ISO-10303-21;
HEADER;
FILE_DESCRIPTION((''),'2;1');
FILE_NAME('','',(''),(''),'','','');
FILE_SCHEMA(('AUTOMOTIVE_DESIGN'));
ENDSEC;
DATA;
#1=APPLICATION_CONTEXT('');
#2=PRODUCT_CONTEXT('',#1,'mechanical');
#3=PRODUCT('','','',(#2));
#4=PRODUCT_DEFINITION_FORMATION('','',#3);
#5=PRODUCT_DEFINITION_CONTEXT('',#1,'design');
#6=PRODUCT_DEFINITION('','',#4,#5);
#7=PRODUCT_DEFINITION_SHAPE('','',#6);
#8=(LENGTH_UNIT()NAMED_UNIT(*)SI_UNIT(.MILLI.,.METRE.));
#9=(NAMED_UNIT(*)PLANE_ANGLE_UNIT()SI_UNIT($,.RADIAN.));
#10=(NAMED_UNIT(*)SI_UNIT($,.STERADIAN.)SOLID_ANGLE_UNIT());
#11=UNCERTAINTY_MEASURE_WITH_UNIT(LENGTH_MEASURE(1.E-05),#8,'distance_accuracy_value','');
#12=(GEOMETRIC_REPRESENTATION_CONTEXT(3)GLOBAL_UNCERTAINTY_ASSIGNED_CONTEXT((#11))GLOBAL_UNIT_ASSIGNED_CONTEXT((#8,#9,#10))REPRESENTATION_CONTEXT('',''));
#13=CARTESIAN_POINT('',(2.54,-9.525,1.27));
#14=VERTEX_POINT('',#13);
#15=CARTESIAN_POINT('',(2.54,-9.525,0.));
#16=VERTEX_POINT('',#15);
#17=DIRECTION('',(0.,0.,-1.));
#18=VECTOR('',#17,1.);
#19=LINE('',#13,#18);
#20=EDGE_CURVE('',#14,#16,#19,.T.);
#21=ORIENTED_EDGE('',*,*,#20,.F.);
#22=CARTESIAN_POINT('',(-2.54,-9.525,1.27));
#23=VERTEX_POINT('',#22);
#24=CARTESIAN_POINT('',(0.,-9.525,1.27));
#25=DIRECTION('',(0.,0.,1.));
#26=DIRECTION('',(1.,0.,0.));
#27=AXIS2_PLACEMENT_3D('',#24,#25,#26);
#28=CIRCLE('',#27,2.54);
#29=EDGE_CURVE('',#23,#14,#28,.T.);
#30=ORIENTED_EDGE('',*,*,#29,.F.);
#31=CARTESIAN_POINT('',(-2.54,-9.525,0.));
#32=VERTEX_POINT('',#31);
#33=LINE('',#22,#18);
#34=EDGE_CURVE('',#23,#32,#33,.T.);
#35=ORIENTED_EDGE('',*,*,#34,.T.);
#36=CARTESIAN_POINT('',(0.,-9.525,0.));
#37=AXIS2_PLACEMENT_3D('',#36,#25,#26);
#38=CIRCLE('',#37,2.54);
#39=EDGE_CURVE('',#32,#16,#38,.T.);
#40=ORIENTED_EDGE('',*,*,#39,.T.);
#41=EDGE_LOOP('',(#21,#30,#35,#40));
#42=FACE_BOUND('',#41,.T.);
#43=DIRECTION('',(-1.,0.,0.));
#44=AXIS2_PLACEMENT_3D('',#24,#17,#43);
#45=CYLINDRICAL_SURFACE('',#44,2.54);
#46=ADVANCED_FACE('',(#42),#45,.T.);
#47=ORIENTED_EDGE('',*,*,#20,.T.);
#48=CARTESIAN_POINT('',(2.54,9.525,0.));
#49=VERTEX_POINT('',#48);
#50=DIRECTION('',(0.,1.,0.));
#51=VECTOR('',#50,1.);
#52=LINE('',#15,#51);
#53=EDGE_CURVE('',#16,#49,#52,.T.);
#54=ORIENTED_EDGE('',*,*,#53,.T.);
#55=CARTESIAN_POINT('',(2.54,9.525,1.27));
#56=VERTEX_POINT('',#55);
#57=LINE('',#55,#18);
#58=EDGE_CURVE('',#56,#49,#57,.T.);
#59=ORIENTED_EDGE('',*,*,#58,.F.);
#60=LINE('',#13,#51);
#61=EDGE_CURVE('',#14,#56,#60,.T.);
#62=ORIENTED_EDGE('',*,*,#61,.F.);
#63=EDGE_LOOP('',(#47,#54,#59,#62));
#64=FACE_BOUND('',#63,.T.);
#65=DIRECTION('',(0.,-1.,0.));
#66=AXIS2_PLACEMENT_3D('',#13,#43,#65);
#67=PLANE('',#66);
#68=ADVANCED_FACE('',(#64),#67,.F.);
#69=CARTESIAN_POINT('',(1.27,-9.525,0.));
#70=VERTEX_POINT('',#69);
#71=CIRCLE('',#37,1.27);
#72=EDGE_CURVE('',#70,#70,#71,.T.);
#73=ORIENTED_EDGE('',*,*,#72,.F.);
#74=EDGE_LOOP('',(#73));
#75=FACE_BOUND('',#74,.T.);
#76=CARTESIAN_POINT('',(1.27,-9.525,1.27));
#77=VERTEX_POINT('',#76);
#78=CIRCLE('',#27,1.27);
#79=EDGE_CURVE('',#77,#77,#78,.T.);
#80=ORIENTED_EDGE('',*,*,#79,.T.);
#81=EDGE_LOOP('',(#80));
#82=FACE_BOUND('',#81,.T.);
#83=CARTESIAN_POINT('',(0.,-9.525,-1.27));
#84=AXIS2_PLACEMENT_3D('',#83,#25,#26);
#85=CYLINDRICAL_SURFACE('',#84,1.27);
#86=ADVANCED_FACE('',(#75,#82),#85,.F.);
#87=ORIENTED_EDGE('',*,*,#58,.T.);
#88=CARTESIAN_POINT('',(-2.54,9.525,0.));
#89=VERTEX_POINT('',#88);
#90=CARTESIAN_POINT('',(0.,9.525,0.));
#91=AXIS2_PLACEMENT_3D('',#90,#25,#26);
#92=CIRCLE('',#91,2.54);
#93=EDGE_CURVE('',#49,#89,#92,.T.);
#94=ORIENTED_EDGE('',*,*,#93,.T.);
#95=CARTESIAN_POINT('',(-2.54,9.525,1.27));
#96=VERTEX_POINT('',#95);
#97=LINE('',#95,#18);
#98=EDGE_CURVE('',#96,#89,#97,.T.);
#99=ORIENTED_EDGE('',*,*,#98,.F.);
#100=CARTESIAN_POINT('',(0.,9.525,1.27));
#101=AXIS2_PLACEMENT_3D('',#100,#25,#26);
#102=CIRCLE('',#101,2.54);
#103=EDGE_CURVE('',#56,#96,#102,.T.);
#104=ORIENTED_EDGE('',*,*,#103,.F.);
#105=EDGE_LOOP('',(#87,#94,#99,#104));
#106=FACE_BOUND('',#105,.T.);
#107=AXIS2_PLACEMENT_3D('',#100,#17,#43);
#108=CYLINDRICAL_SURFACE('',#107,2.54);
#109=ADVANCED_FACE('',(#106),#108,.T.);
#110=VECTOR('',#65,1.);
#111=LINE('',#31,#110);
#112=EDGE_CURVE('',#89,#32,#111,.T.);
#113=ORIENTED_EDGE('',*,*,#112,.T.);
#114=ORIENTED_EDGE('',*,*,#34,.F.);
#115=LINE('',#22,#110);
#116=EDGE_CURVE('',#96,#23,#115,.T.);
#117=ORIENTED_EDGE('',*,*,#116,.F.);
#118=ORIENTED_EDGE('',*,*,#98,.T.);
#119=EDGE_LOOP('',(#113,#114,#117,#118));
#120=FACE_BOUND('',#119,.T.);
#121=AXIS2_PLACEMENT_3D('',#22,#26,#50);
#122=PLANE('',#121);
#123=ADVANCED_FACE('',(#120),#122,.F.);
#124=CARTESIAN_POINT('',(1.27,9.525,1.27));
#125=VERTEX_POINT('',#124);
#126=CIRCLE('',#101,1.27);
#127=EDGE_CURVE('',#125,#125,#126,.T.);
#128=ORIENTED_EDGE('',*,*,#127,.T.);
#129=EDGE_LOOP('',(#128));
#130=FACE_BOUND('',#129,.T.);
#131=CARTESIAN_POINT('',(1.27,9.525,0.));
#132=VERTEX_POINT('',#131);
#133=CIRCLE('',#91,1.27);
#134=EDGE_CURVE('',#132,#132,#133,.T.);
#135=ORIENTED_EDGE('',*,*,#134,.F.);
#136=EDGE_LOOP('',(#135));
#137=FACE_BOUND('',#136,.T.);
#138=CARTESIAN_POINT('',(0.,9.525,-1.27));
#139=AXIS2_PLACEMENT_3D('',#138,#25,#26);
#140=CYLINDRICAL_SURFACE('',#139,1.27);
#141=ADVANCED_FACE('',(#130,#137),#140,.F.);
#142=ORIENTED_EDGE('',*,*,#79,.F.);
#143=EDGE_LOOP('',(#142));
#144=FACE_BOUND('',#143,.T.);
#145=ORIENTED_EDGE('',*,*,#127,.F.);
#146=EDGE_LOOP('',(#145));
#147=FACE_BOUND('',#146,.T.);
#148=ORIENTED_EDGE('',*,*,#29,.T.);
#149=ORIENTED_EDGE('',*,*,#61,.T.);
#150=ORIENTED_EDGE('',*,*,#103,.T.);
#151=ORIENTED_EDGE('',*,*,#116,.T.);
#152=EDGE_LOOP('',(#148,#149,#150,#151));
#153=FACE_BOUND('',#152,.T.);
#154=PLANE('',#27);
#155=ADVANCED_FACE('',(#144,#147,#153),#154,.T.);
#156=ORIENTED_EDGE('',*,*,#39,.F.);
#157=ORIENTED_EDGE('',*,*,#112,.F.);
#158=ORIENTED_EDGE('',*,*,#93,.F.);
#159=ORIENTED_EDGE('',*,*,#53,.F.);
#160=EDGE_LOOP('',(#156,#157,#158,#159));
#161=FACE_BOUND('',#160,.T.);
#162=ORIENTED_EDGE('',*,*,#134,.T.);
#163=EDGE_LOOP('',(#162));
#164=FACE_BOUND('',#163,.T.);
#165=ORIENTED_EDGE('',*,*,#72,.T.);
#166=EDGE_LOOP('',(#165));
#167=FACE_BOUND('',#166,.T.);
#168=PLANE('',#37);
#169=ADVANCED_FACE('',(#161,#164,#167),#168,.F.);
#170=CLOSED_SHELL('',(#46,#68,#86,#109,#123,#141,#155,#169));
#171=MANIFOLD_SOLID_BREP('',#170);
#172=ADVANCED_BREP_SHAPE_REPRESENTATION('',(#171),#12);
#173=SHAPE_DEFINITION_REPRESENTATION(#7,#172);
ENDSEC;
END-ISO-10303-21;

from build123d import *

# Parameters (mm, degrees)
BODY_DEPTH          = 1.27
SKETCH2_R           = 1.27
LINKAGE_HOLES_DEPTH = 2.54


with BuildPart() as part:
    # Sketch1 → body (new body)
    with BuildSketch(Plane.XY):
        with BuildLine():
            Line((-2.54, -9.525), (-2.54, 9.525))
            ThreePointArc((-2.54, 9.525), (0, 12.065), (2.54, 9.525))
            Line((2.54, 9.525), (2.54, -9.525))
            ThreePointArc((2.54, -9.525), (0, -12.065), (-2.54, -9.525))
        make_face()
    extrude(amount=BODY_DEPTH)

    # Sketch2 → linkage holes (cut)
    with BuildSketch(Plane.XY.offset(1.27)):
        with Locations((0, 9.525)):
            Circle(SKETCH2_R)
        with Locations((0, -9.525)):
            Circle(SKETCH2_R)
    extrude(amount=-LINKAGE_HOLES_DEPTH, mode=Mode.SUBTRACT)


solid = part.part
